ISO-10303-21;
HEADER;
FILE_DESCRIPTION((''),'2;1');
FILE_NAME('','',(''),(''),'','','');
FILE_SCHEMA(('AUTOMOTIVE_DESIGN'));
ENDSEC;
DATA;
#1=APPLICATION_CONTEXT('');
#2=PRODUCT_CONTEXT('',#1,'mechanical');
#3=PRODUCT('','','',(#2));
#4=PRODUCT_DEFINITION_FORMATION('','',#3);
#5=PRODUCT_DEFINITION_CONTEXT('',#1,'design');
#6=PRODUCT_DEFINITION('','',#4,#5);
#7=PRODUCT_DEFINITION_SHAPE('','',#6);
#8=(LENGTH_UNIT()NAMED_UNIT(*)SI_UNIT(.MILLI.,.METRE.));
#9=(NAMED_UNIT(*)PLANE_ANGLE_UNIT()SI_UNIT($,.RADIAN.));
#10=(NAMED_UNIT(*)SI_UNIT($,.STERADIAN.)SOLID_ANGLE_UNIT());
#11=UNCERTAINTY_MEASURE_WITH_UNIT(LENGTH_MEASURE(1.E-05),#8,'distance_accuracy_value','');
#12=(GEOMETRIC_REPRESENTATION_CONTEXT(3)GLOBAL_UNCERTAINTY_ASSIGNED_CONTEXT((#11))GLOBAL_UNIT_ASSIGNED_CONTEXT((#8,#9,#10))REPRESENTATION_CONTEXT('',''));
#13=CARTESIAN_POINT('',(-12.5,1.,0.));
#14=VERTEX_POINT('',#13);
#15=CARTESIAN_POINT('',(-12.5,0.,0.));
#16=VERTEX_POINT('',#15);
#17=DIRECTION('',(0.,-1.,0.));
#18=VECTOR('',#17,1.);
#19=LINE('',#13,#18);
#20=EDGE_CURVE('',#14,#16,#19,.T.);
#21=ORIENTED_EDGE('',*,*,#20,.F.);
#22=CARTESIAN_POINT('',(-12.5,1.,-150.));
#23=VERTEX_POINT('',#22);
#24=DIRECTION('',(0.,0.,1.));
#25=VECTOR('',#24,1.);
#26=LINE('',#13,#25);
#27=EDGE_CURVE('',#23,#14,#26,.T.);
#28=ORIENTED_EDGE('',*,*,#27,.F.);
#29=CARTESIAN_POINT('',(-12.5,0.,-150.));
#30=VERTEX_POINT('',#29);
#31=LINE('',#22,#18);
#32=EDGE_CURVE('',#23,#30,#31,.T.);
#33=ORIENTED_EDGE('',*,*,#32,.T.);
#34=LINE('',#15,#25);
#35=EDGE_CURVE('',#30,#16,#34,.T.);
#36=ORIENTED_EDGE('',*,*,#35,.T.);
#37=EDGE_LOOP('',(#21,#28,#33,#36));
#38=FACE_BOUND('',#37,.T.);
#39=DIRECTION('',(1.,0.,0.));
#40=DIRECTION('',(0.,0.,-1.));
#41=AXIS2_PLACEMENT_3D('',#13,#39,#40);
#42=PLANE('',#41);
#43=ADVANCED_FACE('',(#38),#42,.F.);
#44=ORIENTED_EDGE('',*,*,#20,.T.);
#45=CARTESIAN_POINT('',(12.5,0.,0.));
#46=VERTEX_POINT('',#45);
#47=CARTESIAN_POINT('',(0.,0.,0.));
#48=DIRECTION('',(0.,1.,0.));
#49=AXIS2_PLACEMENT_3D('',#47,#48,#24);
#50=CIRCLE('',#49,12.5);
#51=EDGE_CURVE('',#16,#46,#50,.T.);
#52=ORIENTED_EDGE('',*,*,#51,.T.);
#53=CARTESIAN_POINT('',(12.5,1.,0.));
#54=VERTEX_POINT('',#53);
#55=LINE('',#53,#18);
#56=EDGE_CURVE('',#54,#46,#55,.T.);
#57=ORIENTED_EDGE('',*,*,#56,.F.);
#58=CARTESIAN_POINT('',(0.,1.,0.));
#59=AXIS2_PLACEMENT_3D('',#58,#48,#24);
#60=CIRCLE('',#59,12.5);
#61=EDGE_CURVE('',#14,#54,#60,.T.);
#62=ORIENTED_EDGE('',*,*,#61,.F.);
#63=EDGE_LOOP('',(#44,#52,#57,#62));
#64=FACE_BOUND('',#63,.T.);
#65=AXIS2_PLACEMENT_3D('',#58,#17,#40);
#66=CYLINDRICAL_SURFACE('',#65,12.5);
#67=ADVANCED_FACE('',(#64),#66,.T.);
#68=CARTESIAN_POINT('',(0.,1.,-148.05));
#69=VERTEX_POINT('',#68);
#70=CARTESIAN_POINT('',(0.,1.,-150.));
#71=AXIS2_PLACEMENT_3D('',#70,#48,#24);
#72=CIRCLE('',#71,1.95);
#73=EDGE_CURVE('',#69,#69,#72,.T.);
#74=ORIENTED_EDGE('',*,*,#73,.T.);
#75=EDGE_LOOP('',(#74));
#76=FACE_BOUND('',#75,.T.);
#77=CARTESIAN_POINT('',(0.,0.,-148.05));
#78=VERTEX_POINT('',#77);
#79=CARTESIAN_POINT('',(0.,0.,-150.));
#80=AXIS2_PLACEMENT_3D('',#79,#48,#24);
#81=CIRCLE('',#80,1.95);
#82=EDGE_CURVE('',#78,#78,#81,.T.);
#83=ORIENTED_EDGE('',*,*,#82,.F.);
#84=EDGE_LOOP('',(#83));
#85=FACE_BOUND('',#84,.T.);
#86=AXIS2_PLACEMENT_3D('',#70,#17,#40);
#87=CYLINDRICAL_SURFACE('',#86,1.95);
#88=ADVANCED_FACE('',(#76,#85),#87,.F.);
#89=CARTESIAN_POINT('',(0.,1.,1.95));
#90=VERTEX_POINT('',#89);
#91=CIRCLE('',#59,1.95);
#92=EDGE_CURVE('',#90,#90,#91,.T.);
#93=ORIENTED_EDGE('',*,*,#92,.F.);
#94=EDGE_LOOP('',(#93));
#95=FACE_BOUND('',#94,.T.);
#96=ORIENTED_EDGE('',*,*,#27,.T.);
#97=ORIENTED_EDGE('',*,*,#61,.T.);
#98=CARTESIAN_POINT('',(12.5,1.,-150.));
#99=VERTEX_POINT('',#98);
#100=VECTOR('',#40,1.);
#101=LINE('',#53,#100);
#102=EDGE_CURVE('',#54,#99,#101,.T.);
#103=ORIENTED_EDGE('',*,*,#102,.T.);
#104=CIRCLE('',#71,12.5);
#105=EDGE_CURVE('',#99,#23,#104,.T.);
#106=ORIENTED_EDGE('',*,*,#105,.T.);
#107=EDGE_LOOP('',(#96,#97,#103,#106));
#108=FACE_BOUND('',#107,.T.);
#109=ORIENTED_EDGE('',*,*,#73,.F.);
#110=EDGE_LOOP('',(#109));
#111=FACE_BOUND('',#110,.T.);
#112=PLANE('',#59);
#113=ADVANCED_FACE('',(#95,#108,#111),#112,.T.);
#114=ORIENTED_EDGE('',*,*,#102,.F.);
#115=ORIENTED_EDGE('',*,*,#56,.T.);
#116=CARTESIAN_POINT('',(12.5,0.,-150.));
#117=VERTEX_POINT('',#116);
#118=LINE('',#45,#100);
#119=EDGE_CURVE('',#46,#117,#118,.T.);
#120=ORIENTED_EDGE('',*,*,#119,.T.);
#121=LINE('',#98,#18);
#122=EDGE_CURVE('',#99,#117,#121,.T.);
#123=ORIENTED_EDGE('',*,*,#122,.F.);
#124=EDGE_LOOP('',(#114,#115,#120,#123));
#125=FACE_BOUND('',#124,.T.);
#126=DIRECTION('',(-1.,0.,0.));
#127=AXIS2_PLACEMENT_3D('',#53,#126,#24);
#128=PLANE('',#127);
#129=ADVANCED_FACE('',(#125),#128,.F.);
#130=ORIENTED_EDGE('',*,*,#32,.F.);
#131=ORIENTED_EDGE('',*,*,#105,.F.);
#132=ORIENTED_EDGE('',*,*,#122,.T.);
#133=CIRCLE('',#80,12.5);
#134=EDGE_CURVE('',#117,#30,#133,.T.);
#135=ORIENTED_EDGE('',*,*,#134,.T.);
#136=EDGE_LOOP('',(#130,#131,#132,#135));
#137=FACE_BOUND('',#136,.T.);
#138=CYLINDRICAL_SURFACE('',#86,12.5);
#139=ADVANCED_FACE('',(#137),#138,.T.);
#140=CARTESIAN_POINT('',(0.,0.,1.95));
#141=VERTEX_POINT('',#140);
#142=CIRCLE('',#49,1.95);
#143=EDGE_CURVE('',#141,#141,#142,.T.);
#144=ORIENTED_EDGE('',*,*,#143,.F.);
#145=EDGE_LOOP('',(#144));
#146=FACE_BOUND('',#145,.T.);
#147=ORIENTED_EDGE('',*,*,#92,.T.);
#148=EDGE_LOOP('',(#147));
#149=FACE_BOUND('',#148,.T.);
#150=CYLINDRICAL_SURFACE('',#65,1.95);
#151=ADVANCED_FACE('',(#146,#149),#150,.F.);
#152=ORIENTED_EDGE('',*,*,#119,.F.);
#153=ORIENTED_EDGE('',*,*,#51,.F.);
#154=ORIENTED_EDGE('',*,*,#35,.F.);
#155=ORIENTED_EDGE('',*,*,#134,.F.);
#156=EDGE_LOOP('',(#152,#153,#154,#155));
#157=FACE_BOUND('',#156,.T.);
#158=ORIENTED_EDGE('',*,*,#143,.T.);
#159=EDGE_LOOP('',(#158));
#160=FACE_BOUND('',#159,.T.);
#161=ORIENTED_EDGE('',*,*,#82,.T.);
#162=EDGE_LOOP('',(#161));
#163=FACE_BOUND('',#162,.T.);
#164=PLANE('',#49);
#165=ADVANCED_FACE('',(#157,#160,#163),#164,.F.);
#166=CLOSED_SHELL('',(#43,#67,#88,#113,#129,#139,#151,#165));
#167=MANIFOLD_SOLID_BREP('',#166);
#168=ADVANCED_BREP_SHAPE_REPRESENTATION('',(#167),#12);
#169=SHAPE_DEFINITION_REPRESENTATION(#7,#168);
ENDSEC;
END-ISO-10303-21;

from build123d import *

# Parameters (mm, degrees)
SKETCH1_R           = 1.95
BOSS_EXTRUDE1_DEPTH = 1


with BuildPart() as part:
    # Sketch1 → Boss-Extrude1 (new body)
    with BuildSketch(Plane(origin=(0, 0, 0), x_dir=(1, 0, 0), z_dir=(0, 1, 0))):
        with BuildLine():
            Line((-12.5, 0), (-12.5, 150))
            ThreePointArc((-12.5, 150), (0, 162.5), (12.5, 150))
            Line((12.5, 150), (12.5, 0))
            ThreePointArc((12.5, 0), (0, -12.5), (-12.5, 0))
        make_face()
        with Locations(Location((0, 0, 0), (0, 0, 270))):
            Circle(SKETCH1_R, mode=Mode.SUBTRACT)
        with Locations(Location((0, 150, 0), (0, 0, 270))):
            Circle(SKETCH1_R, mode=Mode.SUBTRACT)
    extrude(amount=BOSS_EXTRUDE1_DEPTH)


solid = part.part
